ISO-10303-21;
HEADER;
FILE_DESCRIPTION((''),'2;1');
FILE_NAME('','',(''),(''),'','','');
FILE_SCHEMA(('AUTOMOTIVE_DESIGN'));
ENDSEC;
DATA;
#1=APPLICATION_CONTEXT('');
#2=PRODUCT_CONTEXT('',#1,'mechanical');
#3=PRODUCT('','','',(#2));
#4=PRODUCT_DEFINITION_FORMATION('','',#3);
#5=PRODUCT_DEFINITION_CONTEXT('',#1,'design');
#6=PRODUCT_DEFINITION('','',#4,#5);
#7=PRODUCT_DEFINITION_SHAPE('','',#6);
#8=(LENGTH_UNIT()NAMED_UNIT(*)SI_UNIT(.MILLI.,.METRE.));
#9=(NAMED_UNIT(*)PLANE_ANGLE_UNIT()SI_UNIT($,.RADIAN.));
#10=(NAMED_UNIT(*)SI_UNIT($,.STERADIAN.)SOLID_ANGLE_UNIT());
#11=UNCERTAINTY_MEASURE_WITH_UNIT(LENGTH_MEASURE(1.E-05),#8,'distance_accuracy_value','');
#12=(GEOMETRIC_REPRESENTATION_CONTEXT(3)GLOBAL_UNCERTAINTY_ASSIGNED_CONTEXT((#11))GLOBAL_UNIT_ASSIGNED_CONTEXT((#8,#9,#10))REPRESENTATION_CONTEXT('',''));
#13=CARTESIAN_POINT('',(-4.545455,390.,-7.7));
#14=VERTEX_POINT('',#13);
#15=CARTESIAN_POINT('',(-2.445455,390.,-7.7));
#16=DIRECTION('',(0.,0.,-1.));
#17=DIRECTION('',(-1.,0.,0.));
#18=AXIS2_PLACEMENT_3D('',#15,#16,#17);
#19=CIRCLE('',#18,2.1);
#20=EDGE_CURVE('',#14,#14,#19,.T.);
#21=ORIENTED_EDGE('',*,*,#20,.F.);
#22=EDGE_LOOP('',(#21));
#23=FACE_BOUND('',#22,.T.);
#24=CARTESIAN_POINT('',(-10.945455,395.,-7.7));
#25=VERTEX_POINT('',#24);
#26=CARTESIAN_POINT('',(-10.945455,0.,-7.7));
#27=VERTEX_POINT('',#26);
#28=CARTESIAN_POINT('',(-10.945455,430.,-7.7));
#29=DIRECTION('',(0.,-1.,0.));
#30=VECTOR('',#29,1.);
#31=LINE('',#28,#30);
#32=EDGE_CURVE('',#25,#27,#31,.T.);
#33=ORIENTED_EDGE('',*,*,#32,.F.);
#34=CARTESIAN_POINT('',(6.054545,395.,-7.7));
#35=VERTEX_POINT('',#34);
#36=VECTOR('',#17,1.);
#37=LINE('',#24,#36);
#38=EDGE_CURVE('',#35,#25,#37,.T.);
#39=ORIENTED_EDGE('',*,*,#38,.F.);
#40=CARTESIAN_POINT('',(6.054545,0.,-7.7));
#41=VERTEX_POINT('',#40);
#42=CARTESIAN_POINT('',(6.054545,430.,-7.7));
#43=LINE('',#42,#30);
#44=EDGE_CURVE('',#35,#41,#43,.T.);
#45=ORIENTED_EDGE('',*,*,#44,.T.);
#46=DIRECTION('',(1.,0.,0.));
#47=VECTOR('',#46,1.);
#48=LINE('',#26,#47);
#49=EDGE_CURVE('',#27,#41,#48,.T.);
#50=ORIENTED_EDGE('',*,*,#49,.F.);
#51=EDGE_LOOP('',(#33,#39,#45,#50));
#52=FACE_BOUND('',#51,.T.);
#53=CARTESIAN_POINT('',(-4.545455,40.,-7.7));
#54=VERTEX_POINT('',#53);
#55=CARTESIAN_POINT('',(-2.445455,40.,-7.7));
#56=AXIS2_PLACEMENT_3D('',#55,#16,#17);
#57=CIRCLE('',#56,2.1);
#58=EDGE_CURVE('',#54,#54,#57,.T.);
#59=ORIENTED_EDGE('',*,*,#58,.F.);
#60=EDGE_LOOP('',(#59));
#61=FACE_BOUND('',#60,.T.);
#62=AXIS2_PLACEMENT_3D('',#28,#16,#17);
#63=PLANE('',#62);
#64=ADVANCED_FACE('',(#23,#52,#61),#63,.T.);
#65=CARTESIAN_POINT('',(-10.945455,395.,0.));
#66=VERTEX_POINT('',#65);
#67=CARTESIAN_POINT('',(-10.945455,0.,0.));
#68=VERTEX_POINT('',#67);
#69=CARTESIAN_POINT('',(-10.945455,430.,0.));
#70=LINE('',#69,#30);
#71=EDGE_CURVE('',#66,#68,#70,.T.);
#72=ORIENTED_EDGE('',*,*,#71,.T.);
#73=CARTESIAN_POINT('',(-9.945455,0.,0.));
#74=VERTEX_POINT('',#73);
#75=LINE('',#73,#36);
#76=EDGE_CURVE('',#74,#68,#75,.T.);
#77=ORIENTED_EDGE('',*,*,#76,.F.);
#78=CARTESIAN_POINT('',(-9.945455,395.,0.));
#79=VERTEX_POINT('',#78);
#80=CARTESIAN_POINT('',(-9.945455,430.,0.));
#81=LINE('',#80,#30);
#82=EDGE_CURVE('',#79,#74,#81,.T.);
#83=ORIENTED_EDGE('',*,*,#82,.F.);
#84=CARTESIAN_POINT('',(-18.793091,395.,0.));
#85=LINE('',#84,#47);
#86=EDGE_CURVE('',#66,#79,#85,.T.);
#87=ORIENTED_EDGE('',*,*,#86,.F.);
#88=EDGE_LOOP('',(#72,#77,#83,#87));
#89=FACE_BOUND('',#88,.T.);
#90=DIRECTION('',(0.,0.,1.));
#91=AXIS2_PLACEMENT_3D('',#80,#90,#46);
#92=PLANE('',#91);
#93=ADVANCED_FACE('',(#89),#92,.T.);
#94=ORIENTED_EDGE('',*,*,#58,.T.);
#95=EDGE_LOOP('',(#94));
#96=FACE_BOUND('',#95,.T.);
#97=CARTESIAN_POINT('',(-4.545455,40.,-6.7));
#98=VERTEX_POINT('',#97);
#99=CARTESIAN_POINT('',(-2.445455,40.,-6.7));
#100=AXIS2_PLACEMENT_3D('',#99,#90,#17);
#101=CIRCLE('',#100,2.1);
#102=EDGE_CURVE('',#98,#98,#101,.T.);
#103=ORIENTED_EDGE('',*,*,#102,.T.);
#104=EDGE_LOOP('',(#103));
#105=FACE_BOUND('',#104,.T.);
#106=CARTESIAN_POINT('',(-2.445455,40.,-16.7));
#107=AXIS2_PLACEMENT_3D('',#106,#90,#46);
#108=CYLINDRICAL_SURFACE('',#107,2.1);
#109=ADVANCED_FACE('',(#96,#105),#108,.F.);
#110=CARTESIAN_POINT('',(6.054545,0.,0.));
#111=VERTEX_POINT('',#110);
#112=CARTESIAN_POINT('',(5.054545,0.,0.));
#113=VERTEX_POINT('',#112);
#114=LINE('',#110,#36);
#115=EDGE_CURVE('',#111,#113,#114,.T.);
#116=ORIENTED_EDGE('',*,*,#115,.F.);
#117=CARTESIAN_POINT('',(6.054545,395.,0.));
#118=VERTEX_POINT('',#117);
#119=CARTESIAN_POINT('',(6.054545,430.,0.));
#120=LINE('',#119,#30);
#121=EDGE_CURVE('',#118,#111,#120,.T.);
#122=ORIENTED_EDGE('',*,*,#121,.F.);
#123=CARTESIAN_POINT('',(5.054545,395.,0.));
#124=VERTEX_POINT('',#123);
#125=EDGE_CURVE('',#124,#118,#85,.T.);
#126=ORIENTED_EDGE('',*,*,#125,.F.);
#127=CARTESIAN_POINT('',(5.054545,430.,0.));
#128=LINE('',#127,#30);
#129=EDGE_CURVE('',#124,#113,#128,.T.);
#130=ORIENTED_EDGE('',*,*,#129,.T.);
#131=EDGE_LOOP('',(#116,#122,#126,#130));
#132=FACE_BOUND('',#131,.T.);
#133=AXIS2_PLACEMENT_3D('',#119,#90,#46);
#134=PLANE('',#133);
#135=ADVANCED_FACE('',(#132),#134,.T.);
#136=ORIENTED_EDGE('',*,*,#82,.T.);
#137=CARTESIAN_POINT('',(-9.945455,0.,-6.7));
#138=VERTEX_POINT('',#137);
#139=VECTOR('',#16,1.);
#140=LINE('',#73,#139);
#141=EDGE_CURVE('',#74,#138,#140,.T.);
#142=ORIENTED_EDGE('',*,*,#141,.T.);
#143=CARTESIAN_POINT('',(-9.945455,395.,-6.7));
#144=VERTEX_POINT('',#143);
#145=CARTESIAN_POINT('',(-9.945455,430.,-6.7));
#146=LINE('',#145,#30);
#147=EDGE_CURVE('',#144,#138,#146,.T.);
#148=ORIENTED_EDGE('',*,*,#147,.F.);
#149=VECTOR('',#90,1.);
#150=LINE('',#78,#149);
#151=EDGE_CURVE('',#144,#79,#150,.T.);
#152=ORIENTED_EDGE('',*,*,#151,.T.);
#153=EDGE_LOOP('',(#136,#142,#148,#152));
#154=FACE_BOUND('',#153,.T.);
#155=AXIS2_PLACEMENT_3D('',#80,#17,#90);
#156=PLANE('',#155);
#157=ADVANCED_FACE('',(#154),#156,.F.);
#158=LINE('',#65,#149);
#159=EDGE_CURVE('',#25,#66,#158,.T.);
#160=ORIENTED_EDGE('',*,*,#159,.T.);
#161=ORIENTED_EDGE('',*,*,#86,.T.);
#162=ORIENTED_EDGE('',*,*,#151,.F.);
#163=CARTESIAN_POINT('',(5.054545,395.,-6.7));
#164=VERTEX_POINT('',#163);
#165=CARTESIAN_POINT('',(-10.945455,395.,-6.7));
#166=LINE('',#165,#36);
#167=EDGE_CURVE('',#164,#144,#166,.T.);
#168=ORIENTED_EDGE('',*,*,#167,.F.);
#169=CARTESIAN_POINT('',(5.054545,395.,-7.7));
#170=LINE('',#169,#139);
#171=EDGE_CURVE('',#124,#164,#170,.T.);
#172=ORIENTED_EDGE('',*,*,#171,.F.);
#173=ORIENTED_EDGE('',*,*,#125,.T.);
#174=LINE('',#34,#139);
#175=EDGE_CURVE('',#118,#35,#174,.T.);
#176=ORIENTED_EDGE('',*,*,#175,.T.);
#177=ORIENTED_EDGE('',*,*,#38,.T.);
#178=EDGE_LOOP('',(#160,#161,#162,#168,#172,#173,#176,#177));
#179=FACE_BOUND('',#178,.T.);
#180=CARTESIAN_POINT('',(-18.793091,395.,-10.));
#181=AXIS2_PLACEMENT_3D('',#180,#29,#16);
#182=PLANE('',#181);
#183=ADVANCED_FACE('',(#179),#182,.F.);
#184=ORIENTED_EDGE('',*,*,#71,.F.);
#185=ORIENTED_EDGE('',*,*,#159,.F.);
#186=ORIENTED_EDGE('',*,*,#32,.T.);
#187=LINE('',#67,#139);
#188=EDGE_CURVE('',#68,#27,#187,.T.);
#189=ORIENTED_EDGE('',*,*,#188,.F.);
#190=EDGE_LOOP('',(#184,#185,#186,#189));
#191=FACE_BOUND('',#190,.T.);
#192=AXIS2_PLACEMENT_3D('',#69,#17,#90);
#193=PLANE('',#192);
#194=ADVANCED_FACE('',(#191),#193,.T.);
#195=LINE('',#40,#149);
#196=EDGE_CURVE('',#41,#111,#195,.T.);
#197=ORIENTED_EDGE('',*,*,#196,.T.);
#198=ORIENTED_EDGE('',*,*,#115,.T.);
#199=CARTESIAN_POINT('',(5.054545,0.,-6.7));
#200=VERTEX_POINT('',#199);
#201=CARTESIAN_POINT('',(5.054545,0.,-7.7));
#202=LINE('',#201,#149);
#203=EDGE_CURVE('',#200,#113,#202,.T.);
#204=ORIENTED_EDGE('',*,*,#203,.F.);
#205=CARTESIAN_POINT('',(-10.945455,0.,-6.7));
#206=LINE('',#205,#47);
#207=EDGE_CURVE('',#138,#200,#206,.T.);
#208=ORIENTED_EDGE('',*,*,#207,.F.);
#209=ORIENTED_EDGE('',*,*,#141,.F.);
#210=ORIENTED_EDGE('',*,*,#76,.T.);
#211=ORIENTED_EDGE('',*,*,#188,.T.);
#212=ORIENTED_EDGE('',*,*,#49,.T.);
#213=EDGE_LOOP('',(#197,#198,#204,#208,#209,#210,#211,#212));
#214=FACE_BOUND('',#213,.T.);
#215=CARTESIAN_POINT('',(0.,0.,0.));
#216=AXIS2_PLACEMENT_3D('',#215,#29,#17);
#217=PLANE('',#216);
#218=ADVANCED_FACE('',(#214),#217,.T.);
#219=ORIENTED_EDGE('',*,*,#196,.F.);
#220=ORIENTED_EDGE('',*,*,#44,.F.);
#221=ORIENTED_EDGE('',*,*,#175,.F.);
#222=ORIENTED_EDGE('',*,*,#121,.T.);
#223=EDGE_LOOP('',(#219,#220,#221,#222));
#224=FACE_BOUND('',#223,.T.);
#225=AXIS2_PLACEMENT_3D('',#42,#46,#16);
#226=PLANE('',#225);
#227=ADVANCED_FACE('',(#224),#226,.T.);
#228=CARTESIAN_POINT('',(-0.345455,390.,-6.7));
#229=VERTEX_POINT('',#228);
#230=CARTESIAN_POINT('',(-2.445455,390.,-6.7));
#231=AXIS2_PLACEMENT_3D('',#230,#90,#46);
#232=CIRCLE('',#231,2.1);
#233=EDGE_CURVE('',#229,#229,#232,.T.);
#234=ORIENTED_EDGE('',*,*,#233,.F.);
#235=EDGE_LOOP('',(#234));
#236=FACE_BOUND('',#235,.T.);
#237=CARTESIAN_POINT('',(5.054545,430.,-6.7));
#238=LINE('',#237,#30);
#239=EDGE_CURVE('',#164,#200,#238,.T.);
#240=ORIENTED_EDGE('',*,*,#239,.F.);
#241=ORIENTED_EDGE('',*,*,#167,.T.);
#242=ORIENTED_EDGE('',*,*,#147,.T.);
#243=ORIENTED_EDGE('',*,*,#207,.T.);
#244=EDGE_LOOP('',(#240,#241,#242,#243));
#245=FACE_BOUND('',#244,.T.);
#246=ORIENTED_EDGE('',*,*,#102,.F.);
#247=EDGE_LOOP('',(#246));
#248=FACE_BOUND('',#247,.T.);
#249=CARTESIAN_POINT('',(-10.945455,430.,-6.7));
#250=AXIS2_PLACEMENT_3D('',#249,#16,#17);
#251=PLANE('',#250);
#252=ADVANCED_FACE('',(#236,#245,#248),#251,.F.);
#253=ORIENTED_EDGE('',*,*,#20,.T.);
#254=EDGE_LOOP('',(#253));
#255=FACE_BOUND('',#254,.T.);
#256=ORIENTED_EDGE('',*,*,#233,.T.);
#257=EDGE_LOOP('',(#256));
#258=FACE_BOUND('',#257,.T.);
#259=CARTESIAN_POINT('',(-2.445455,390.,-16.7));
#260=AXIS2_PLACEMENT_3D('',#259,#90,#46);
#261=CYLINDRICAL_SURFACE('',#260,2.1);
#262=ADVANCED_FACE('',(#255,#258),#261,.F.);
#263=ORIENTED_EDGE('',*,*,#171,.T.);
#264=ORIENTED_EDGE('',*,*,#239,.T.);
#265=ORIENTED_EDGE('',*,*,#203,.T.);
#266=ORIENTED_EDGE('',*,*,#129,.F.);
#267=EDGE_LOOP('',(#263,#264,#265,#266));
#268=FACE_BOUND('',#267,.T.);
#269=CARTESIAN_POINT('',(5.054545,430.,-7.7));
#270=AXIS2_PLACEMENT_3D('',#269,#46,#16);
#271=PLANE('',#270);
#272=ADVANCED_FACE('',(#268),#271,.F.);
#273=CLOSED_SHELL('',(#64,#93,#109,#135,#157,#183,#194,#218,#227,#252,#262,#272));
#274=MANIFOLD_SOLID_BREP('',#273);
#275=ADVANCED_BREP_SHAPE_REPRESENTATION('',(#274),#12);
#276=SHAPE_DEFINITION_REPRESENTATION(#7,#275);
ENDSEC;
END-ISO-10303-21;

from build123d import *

# Parameters (mm, degrees)
EXTRUDE_THIN1_DEPTH = 430
SKETCH2_R           = 2.1
CUT_EXTRUDE1_DEPTH  = 10
SKETCH3_W           = 27.877816903
SKETCH3_H           = 42.526750181
CUT_EXTRUDE2_DEPTH  = 10


with BuildPart() as part:
    # Sketch1 → Extrude-Thin1 (new body)
    with BuildSketch(Plane(origin=(0, 0, 0), x_dir=(1, 0, 0), z_dir=(0, 1, 0))):
        Polygon((-10.945454545, 0), (-10.945454545, 7.7), (6.054545455, 7.7), (6.054545455, 0), (5.054545455, 0), (5.054545455, 6.7), (-9.945454545, 6.7), (-9.945454545, 0), align=None)
    extrude(amount=EXTRUDE_THIN1_DEPTH)

    # Sketch2 → Cut-Extrude1 (cut)
    with BuildSketch(Plane.XY.offset(-6.7)):
        with Locations((-2.445454545, 390)):
            Circle(SKETCH2_R)
        with Locations(Location((-2.445454545, 40, 0), (0, 0, 180))):
            Circle(SKETCH2_R)
    extrude(amount=-CUT_EXTRUDE1_DEPTH, mode=Mode.SUBTRACT)

    # Sketch3 → Cut-Extrude2 (cut)
    with BuildSketch(Plane.XY):
        with Locations((-4.854182527, 416.263375091)):
            Rectangle(SKETCH3_W, SKETCH3_H)
    extrude(amount=-CUT_EXTRUDE2_DEPTH, mode=Mode.SUBTRACT)


solid = part.part
